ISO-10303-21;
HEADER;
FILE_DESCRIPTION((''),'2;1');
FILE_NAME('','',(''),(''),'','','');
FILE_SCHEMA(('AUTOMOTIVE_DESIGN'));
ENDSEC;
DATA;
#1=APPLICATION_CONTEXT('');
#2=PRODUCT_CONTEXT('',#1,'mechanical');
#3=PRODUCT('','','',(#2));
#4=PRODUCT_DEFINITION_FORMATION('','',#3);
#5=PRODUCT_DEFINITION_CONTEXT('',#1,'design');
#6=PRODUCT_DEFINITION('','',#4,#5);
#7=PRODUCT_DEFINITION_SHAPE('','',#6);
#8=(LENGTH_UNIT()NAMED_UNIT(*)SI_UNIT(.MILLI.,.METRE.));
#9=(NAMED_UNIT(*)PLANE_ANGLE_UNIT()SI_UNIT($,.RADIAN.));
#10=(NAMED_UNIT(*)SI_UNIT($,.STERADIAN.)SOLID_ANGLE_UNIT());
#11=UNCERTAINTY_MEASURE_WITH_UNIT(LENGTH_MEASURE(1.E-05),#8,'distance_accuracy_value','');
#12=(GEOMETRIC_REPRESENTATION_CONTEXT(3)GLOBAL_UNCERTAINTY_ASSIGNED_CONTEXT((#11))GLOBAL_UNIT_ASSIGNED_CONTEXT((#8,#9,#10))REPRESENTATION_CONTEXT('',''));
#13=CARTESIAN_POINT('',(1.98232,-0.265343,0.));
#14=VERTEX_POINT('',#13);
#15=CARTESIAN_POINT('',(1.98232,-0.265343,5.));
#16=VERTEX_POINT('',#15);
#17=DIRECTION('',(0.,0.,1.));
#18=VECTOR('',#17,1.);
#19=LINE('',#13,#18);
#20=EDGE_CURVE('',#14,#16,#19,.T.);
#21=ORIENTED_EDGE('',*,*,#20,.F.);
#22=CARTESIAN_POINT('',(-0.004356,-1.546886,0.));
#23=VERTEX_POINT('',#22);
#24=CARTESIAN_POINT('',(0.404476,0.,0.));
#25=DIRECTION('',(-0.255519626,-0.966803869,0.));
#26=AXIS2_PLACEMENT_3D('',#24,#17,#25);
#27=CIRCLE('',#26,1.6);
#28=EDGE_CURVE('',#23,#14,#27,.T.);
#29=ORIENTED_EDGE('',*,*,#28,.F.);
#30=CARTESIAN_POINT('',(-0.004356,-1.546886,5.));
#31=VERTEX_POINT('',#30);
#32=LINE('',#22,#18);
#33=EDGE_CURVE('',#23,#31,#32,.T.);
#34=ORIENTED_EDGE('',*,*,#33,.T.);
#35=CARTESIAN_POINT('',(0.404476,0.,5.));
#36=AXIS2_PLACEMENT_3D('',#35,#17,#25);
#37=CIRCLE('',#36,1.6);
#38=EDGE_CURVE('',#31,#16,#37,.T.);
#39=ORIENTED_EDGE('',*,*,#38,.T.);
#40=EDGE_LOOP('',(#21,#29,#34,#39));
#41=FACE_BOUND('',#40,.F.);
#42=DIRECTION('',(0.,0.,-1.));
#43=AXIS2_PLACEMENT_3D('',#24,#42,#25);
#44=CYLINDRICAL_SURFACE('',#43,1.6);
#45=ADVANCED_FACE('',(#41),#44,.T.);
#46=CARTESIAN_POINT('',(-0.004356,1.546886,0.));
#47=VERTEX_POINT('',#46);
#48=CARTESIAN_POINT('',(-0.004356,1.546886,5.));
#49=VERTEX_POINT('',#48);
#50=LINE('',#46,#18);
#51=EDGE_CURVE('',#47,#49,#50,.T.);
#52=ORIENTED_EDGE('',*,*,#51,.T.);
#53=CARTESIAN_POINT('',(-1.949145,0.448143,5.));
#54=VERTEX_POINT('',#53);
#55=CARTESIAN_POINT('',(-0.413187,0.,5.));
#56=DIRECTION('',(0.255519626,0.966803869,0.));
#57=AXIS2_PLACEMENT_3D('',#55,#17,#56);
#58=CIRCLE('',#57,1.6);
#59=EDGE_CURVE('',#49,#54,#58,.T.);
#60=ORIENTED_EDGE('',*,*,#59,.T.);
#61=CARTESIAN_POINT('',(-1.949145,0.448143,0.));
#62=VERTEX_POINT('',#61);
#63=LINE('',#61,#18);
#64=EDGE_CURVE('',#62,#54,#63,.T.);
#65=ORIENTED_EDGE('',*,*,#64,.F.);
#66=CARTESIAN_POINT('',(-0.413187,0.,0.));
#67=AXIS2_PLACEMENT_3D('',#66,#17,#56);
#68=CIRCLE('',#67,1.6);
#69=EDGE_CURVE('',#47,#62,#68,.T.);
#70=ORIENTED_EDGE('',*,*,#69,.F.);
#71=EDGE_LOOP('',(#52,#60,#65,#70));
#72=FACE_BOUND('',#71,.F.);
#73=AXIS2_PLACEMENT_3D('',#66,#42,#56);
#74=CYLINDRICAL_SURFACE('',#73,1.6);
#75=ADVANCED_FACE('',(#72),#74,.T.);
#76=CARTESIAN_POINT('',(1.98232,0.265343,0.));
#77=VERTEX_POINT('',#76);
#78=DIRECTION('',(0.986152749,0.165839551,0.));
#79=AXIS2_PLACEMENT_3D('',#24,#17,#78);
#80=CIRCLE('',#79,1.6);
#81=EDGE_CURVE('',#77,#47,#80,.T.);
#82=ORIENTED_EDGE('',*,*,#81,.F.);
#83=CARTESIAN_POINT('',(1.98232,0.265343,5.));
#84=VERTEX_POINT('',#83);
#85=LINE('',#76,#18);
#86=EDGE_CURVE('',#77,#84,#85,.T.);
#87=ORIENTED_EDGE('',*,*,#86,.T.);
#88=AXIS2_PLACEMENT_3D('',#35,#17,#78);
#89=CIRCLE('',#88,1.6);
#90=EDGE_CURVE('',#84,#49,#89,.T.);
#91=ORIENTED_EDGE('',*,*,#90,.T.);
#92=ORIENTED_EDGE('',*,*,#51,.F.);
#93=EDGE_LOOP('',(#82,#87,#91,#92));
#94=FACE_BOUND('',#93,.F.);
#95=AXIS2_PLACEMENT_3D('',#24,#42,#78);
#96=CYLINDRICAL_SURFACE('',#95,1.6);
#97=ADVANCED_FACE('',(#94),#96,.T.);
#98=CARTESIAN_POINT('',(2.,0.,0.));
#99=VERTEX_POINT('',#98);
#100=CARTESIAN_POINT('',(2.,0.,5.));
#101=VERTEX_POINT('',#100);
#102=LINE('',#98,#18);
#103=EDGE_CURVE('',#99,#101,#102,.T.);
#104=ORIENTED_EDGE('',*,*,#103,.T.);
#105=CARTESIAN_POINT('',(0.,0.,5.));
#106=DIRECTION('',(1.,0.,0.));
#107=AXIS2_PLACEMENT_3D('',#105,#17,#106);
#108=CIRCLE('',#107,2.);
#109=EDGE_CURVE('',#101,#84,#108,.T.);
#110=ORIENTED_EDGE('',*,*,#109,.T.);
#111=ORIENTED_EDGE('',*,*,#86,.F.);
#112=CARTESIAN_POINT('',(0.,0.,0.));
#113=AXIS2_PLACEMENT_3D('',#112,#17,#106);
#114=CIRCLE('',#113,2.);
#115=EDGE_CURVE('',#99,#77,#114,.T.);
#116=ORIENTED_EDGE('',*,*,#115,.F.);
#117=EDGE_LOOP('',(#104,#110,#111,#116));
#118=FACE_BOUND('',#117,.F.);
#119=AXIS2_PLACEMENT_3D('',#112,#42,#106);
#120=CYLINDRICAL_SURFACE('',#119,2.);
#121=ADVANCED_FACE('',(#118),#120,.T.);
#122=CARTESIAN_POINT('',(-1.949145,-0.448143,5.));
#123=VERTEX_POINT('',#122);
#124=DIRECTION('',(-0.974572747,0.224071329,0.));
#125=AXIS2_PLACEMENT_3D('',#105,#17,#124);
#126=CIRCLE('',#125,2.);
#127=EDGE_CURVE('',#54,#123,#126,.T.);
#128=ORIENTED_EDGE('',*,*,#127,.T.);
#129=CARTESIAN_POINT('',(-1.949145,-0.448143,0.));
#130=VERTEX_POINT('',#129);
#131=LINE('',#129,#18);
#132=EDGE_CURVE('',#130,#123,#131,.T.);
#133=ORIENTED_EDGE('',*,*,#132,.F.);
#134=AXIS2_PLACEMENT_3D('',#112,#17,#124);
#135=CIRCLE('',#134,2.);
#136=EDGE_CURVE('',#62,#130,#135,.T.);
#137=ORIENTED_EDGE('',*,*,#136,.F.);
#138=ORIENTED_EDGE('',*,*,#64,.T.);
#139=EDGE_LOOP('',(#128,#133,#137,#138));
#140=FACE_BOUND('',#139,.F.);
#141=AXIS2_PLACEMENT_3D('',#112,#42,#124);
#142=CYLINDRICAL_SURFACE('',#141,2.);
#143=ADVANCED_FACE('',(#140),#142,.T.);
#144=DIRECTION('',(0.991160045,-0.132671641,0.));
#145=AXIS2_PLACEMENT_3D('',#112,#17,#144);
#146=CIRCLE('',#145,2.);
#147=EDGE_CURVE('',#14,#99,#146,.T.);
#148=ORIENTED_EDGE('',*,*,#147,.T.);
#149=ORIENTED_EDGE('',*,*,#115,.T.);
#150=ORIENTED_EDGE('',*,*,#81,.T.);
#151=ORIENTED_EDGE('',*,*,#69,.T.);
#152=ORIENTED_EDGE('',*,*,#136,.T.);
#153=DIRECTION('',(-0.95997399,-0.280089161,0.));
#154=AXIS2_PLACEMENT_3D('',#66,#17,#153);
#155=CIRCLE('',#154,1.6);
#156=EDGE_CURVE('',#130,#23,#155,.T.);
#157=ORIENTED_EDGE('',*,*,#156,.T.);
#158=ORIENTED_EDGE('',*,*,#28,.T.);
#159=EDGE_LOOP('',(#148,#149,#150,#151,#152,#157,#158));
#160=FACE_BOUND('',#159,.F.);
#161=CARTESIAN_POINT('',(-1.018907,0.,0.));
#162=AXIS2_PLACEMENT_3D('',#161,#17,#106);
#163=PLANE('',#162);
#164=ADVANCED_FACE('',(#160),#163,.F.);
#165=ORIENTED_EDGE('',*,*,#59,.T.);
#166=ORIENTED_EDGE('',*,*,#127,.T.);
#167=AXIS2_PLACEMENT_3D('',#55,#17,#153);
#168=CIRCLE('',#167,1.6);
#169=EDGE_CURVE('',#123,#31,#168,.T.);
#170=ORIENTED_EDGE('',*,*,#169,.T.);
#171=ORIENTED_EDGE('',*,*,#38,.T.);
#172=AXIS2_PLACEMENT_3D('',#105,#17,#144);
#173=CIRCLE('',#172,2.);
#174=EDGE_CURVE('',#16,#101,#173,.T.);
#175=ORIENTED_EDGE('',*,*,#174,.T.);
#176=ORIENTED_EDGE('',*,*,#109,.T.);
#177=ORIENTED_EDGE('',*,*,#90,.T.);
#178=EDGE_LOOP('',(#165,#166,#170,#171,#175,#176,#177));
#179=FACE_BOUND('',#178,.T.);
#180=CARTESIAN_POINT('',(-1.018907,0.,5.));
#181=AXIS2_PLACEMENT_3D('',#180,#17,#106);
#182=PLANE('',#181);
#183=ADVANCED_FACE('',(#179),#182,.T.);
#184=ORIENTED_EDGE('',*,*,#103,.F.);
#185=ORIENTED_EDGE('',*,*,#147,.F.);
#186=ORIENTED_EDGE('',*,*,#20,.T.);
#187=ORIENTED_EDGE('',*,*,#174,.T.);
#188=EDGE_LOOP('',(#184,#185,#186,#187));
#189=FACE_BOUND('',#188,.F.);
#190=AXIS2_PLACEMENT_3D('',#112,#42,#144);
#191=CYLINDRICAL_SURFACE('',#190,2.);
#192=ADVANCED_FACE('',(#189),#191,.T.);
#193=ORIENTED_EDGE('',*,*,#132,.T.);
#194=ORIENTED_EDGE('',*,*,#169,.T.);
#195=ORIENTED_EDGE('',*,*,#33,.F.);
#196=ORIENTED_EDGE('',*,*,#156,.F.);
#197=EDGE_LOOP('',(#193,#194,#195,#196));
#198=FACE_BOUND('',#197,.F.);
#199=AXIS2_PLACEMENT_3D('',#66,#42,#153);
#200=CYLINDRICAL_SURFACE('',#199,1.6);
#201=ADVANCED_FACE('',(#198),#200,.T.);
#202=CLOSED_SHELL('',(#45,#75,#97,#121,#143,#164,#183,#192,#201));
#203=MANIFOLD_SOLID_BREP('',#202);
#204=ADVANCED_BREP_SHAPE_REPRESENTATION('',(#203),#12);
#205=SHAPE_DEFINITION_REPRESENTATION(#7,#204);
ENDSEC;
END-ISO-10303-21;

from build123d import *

# Parameters (mm, degrees)
F1_DEPTH = 5


with BuildPart() as f1:
    # F0 (on Top) → F1 (new body)
    with BuildSketch(Plane.XY):
        with BuildLine():
            ThreePointArc((-0.0043557084, 1.54688619), (-1.2002151566, 1.3930494801), (-1.9491454944, 0.4481426579))
            ThreePointArc((-1.9491454944, 0.4481426579), (-2, 0), (-1.9491454944, -0.4481426579))
            ThreePointArc((-1.9491454944, -0.4481426579), (-1.2002151566, -1.3930494801), (-0.0043557084, -1.54688619))
            ThreePointArc((-0.0043557084, -1.54688619), (-1.1955243066, 0), (-0.0043557084, 1.54688619))
        make_face()
        with BuildLine():
            ThreePointArc((1.1868128899, 0), (0.8545136122, 0.9761838344), (-0.0043557084, 1.54688619))
            ThreePointArc((-0.0043557084, 1.54688619), (-1.1955243066, 0), (-0.0043557084, -1.54688619))
            ThreePointArc((-0.0043557084, -1.54688619), (0.8545136122, -0.9761838344), (1.1868128899, 0))
        make_face()
        with BuildLine():
            ThreePointArc((1.982320091, -0.2653432812), (1.9955751279, -0.132965819), (2, 0))
            ThreePointArc((2, 0), (1.9955751279, 0.132965819), (1.982320091, 0.2653432812))
            ThreePointArc((1.982320091, 0.2653432812), (1.2717910356, 1.3445311811), (-0.0043557084, 1.54688619))
            ThreePointArc((-0.0043557084, 1.54688619), (0.8545136122, 0.9761838344), (1.1868128899, 0))
            ThreePointArc((1.1868128899, 0), (0.8545136122, -0.9761838344), (-0.0043557084, -1.54688619))
            ThreePointArc((-0.0043557084, -1.54688619), (1.2717910356, -1.3445311811), (1.982320091, -0.2653432812))
        make_face()
    extrude(amount=F1_DEPTH)


solid = f1.part
